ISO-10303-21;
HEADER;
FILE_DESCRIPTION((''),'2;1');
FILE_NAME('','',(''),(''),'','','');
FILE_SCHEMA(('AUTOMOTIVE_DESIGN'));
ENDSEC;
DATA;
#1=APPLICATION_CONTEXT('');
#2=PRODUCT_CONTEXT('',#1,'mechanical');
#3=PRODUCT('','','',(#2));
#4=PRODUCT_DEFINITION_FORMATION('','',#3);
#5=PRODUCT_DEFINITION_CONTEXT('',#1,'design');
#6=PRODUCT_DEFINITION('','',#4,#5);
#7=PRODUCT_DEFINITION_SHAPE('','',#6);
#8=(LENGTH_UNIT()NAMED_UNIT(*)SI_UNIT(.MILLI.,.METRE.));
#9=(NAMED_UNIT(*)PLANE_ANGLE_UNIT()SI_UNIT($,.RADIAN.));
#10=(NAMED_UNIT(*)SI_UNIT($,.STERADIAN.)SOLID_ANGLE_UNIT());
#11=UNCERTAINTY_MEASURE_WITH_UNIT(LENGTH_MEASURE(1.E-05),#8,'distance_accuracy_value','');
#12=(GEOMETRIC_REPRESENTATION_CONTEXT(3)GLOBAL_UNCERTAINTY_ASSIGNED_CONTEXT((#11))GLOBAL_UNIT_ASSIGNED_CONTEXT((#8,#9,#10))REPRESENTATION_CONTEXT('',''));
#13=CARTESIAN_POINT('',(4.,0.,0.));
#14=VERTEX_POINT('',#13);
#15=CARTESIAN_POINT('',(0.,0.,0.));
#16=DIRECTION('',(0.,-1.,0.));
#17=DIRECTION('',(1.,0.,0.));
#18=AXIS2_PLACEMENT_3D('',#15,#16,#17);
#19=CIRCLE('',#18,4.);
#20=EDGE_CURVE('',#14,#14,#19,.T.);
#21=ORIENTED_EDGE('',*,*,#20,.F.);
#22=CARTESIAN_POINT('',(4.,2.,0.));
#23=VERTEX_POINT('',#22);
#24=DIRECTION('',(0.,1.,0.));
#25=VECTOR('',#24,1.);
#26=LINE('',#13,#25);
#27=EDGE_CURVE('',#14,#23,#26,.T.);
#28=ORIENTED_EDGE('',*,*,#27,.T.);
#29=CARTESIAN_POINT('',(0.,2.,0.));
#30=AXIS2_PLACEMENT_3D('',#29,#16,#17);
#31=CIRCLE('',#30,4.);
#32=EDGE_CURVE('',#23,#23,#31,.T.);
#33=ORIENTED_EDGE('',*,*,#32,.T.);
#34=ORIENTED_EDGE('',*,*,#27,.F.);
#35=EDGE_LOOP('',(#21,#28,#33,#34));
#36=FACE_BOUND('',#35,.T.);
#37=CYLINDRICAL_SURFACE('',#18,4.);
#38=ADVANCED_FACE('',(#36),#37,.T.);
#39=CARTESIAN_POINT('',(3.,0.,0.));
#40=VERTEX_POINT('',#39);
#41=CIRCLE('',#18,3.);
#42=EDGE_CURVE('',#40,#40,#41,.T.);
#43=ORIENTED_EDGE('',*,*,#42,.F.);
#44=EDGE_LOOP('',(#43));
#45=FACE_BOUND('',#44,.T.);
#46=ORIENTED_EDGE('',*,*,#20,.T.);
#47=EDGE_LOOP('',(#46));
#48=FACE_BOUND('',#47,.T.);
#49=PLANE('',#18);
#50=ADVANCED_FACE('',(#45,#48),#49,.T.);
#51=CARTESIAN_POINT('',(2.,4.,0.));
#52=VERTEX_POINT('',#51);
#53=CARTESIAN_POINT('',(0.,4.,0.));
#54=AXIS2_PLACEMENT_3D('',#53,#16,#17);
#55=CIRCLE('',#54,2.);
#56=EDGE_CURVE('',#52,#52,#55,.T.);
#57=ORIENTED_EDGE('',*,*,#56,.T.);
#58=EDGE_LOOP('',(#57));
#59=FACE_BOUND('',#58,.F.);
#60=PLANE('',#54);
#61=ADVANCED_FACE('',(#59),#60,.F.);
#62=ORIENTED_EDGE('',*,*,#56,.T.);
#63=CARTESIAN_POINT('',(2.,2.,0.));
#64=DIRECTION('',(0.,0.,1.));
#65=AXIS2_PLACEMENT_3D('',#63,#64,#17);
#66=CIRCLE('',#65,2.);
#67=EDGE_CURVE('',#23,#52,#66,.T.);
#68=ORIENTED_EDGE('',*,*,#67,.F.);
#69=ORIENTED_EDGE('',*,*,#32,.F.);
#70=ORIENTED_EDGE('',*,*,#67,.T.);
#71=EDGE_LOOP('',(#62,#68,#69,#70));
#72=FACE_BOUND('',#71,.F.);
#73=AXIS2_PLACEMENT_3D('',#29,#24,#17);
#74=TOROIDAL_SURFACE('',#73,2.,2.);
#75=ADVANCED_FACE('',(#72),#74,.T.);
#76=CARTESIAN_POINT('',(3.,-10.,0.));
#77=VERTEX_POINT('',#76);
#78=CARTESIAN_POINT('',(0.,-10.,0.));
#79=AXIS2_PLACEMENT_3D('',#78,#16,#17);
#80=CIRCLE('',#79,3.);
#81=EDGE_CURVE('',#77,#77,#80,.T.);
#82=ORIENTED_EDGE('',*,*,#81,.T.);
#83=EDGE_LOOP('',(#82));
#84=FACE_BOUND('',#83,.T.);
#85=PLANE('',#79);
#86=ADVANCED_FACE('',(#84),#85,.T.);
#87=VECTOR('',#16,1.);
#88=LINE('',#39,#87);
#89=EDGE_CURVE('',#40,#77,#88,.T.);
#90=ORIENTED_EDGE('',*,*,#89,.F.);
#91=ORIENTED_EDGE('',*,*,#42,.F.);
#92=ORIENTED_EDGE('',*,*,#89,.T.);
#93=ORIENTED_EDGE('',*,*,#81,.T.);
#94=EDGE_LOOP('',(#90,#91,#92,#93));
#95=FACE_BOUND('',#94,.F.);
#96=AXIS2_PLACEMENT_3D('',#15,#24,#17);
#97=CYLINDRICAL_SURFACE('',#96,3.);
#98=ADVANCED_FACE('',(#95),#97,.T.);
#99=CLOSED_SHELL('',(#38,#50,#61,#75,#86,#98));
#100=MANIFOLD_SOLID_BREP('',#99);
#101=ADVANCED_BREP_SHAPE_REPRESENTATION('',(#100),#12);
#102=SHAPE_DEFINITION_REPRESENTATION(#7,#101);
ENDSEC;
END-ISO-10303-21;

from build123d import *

# Parameters (mm, degrees)
F0_R     = 3
F1_DEPTH = 10
F0_R_2   = 4
F2_DEPTH = 4
F3_R     = 2


with BuildPart() as f1:
    # F0 (on Front) → F1 (new body)
    with BuildSketch(Plane.XZ):
        Circle(F0_R)
    extrude(amount=F1_DEPTH)

    # F0 (on Front) → F2 (join)
    with BuildSketch(Plane.XZ):
        Circle(F0_R_2)
        Circle(F0_R, mode=Mode.SUBTRACT)
        Circle(F0_R)
    extrude(amount=-F2_DEPTH)

    # F3
    f3_edges = [f1.edges().sort_by_distance(p)[0] for p in [
        (-4, 4, 0),
    ]]
    fillet(f3_edges, radius=F3_R)


solid = f1.part
